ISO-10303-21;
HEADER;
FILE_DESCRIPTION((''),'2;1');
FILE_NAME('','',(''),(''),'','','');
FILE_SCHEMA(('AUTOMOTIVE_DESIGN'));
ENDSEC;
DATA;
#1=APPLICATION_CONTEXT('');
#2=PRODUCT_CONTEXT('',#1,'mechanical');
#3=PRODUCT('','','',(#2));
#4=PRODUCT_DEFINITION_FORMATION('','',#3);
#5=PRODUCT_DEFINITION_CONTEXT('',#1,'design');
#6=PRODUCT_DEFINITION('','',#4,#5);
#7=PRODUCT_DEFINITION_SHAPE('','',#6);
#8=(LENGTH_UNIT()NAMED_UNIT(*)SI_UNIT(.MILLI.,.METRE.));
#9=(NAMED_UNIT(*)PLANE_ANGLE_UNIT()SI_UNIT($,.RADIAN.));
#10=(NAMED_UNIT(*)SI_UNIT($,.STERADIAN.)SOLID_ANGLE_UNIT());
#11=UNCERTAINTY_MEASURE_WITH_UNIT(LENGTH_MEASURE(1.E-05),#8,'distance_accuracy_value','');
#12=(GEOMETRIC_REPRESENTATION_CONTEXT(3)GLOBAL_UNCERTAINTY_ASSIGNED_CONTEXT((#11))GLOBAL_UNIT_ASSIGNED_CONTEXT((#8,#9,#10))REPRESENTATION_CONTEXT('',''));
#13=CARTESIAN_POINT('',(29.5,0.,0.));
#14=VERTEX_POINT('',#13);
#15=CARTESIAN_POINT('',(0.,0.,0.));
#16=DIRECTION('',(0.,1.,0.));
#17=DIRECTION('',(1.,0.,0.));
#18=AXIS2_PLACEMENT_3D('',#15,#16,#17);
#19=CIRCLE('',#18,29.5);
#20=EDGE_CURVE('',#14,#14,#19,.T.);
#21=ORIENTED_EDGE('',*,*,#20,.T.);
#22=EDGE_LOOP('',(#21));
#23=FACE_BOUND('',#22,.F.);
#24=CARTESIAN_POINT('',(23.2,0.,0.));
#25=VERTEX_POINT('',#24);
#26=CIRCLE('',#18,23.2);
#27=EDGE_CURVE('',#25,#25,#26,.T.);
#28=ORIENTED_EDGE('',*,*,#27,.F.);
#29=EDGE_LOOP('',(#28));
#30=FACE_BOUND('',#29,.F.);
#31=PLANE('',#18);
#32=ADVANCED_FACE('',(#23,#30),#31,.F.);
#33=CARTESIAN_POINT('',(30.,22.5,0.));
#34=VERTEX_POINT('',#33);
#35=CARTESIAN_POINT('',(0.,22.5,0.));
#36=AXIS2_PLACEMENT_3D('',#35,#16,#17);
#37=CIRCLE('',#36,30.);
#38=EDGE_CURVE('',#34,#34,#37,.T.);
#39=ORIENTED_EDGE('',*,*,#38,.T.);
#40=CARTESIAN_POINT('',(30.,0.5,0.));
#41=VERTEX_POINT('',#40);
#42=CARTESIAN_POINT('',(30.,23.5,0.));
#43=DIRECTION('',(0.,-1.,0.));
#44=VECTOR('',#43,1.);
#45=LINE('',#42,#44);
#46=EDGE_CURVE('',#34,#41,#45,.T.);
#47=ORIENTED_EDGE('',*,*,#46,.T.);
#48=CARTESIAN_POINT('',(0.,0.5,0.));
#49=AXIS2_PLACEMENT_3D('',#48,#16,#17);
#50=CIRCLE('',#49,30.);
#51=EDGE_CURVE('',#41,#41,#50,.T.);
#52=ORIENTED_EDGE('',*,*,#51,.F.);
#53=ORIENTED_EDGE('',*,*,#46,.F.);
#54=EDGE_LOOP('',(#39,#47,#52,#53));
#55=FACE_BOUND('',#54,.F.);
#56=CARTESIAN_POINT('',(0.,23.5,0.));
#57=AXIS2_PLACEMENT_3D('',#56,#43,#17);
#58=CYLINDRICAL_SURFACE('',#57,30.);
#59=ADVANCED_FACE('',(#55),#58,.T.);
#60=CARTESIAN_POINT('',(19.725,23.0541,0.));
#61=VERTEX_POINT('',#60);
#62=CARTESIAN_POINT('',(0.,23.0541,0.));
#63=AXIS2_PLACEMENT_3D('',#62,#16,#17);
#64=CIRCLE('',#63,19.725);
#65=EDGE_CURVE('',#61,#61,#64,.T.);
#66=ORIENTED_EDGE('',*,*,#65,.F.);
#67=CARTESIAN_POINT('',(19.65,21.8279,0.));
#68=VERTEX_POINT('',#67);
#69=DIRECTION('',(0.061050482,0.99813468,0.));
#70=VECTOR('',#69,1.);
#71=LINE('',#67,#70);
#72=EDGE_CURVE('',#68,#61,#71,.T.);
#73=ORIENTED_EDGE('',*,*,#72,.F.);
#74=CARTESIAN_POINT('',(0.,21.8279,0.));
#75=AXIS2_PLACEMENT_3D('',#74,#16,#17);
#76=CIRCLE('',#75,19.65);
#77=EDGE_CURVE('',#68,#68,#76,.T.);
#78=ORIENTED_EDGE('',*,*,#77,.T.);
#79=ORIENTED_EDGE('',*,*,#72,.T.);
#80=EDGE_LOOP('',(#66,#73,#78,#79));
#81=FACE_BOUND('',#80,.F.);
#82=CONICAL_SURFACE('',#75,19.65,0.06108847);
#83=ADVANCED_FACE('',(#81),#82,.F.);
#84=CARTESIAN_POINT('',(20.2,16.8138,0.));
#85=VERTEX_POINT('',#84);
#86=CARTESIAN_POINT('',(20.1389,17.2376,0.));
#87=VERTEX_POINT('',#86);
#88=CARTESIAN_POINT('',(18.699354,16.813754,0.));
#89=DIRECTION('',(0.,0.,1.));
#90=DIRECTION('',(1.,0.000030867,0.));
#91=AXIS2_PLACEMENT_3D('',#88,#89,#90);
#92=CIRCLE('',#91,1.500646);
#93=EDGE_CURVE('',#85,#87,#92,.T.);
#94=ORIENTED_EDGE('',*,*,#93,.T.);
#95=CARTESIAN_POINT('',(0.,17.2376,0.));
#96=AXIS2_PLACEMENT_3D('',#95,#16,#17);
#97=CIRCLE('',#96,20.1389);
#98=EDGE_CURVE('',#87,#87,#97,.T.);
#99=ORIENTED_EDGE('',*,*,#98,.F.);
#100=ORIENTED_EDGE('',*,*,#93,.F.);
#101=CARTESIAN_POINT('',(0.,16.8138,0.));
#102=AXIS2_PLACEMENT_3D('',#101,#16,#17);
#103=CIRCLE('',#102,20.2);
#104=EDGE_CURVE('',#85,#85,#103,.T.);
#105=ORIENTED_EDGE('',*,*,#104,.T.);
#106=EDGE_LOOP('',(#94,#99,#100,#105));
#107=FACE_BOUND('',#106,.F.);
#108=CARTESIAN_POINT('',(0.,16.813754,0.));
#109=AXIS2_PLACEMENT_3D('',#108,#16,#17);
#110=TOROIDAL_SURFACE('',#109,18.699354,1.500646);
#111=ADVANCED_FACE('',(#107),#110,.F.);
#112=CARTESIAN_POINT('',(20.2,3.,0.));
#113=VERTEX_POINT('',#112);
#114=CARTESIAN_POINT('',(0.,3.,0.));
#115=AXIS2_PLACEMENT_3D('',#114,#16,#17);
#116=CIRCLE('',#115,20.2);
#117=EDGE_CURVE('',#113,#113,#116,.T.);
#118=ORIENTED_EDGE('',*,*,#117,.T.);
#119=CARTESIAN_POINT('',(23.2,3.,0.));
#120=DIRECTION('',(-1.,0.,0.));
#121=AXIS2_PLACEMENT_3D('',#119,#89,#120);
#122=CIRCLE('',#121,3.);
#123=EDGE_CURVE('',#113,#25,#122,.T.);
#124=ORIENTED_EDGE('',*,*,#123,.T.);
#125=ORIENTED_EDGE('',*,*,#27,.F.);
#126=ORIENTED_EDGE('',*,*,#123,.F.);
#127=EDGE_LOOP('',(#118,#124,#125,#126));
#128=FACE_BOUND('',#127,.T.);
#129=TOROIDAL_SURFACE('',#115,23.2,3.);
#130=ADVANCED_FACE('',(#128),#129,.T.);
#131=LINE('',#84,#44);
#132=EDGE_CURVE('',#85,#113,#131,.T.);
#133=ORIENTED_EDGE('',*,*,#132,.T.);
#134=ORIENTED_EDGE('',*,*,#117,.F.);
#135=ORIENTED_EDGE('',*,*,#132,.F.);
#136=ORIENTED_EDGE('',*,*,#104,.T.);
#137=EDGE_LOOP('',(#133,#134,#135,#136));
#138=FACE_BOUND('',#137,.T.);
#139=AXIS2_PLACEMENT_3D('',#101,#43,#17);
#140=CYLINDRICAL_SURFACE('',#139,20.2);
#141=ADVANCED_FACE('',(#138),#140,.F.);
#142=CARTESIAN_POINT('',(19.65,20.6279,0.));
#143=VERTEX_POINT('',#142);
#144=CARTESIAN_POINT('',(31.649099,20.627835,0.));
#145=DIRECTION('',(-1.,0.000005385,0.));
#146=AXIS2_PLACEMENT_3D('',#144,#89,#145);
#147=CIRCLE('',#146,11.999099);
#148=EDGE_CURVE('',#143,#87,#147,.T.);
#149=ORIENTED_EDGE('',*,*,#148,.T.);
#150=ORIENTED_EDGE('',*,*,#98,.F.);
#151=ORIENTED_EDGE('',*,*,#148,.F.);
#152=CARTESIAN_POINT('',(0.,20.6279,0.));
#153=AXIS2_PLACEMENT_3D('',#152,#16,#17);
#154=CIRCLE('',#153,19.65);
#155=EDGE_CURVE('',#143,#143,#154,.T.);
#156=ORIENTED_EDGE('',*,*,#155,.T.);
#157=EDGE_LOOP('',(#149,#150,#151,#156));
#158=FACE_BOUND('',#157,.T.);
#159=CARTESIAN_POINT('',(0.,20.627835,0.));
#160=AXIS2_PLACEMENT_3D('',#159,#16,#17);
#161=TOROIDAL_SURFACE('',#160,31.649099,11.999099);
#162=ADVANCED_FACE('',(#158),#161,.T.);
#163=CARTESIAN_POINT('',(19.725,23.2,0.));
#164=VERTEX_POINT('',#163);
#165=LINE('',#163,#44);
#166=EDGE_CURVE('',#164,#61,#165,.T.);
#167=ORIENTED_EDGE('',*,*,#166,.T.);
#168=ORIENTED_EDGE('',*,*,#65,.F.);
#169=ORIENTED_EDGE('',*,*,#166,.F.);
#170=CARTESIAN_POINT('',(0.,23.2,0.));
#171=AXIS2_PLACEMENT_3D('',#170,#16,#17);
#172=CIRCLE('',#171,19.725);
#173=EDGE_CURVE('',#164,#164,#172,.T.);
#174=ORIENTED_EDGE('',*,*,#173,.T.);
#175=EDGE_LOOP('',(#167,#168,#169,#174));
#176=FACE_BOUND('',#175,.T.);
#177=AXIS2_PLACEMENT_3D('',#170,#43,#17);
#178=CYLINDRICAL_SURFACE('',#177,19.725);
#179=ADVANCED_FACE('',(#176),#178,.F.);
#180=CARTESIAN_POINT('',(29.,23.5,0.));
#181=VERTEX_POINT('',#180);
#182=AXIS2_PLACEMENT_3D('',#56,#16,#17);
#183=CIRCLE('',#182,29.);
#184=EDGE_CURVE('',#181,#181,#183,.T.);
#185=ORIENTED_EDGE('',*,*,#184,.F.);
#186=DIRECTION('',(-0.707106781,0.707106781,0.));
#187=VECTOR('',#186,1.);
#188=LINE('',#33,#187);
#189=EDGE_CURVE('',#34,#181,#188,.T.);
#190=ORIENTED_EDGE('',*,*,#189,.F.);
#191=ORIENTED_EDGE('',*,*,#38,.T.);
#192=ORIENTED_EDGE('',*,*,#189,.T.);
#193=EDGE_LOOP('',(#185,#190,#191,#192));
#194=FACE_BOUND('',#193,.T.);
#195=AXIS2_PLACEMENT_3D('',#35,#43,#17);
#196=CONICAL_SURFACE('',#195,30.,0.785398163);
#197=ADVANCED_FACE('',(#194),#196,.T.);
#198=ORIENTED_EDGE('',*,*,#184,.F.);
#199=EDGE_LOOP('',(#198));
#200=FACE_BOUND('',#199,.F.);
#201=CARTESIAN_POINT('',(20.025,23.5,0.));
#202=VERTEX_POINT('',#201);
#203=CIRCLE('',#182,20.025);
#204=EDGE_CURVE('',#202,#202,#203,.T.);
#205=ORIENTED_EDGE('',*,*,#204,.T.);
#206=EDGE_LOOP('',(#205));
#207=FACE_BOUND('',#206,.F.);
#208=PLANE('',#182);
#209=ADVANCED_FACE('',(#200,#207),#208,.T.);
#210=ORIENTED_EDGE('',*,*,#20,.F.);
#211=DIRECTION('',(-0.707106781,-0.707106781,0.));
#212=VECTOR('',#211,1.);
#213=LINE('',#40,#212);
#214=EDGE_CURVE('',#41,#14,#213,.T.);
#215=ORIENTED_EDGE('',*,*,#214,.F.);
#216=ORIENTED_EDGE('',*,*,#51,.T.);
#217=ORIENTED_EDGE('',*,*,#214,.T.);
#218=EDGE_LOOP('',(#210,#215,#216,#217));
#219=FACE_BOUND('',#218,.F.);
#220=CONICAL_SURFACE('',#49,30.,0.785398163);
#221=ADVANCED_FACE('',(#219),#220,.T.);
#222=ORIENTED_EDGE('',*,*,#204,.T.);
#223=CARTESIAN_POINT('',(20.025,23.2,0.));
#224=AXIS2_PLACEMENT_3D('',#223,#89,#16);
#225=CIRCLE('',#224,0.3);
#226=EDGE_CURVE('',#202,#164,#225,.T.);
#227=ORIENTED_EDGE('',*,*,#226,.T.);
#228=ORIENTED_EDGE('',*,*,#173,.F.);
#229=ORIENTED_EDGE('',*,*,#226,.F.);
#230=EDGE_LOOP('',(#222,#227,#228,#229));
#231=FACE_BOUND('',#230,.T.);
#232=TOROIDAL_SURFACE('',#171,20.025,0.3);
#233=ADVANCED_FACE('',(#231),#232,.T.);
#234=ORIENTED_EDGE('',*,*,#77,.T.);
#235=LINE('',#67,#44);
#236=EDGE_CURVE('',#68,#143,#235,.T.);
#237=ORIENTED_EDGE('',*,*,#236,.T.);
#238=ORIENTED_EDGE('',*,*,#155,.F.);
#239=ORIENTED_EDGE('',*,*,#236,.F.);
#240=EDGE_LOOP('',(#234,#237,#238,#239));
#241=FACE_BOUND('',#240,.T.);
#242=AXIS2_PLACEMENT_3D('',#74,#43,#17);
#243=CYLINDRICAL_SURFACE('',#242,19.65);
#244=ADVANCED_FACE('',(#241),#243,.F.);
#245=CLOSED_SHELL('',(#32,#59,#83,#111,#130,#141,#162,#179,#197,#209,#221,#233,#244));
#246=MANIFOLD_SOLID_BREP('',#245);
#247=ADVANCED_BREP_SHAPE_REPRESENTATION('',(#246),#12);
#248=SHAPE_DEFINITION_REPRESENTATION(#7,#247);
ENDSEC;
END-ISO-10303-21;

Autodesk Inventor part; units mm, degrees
ref_plane "YZ Plane" through (0, 0, 0) normal (1, 0, 0) x (0, 1, 0)
ref_plane "XZ Plane" through (0, 0, 0) normal (0, 1, 0) x (-1, 0, 0)
ref_plane "XY Plane" through (0, 0, 0) normal (0, 0, 1) x (1, 0, 0)
sketch "Náčrt1" plane through (0, 0, 0) normal (0, 0, 1) x (1, 0, 0)
  line L0 (0, 0) -> (0, 63.6053)
  line L1 (20.025, 23.5) -> (30, 23.5)
  line L2 (30, 23.5) -> (30, 0)
  line L3 (30, 0) -> (23.2, 0)
  arc A0 (20.2, 16.8138) -> (20.1389, 17.2376) centre (18.7, 16.8138) ccw
  arc A1 (19.65, 20.6279) -> (20.1389, 17.2376) centre (31.65, 20.6279) ccw
  arc A2 (20.2, 3) -> (23.2, 0) centre (23.2, 3) ccw
  line L4 (20.2, 16.8138) -> (20.2, 3)
  arc A3 (20.1, 16.9) -> (19.65, 18.2) centre (18.6153, 17.114) ccw construction
  arc A4 (19.2447, 18.8659) -> (19.65, 18.2) centre (20.6847, 19.286) ccw construction
  arc A5 (19.2447, 18.8659) -> (18.8277, 19.5429) centre (17.8047, 18.4458) ccw construction
  line L5 (13.5384, 24.4753) -> (18.8277, 19.5429) construction
  arc A6 (18.8277, 19.5429) -> (13.5384, 24.4753) centre (7.4354, 12.6284) ccw construction
  arc A7 (20.025, 23.5) -> (19.725, 23.2) centre (20.025, 23.2) ccw
  line L6 (19.65, 21.8279) -> (19.65, 20.6279)
  line L7 (19.65, 21.8279) -> (19.725, 23.0541)
  line L8 (19.65, 21.8279) -> (20.8785, 21.8279) construction
  line L9 (19.725, 23.2) -> (19.725, 23.0541)
  point P0 (19.7148, 23.5)
  dimension "d0" = 60
  dimension "d1" = 40.4
  dimension "d3" = 23.5
  dimension "d8" = 1.5
  dimension "d9" = 12
  dimension "d11" = 3
  dimension "d13" = 21.8279
  dimension "d30" = 16.8138
  dimension "d39" = 0.5
  dimension "d41" = 0.3
  dimension "d43" = 1.2
  dimension "d44" = 39.3
  dimension "d45" = 86.5
  dimension "d46" = 39.45
revolve "Rotace1" add sketch "Náčrt1" angle 360 about axis through (0, 0, 0) along (0, 1, 0)
chamfer "Zkosení1" distance 0.5 angle 45 1 edges at (-30, 0, 0)
chamfer "Zkosení3" distance 1 angle 45 1 edges at (-30, 23.5, 0)
equation "\"Rozmer_B\" = 23.5"
equation "\"Rozmer_C\" = 0"
equation "\"Rozmer_D\" = 23.5"
properties part number "NA-45-h-Crown-127" material "19 436.4"
